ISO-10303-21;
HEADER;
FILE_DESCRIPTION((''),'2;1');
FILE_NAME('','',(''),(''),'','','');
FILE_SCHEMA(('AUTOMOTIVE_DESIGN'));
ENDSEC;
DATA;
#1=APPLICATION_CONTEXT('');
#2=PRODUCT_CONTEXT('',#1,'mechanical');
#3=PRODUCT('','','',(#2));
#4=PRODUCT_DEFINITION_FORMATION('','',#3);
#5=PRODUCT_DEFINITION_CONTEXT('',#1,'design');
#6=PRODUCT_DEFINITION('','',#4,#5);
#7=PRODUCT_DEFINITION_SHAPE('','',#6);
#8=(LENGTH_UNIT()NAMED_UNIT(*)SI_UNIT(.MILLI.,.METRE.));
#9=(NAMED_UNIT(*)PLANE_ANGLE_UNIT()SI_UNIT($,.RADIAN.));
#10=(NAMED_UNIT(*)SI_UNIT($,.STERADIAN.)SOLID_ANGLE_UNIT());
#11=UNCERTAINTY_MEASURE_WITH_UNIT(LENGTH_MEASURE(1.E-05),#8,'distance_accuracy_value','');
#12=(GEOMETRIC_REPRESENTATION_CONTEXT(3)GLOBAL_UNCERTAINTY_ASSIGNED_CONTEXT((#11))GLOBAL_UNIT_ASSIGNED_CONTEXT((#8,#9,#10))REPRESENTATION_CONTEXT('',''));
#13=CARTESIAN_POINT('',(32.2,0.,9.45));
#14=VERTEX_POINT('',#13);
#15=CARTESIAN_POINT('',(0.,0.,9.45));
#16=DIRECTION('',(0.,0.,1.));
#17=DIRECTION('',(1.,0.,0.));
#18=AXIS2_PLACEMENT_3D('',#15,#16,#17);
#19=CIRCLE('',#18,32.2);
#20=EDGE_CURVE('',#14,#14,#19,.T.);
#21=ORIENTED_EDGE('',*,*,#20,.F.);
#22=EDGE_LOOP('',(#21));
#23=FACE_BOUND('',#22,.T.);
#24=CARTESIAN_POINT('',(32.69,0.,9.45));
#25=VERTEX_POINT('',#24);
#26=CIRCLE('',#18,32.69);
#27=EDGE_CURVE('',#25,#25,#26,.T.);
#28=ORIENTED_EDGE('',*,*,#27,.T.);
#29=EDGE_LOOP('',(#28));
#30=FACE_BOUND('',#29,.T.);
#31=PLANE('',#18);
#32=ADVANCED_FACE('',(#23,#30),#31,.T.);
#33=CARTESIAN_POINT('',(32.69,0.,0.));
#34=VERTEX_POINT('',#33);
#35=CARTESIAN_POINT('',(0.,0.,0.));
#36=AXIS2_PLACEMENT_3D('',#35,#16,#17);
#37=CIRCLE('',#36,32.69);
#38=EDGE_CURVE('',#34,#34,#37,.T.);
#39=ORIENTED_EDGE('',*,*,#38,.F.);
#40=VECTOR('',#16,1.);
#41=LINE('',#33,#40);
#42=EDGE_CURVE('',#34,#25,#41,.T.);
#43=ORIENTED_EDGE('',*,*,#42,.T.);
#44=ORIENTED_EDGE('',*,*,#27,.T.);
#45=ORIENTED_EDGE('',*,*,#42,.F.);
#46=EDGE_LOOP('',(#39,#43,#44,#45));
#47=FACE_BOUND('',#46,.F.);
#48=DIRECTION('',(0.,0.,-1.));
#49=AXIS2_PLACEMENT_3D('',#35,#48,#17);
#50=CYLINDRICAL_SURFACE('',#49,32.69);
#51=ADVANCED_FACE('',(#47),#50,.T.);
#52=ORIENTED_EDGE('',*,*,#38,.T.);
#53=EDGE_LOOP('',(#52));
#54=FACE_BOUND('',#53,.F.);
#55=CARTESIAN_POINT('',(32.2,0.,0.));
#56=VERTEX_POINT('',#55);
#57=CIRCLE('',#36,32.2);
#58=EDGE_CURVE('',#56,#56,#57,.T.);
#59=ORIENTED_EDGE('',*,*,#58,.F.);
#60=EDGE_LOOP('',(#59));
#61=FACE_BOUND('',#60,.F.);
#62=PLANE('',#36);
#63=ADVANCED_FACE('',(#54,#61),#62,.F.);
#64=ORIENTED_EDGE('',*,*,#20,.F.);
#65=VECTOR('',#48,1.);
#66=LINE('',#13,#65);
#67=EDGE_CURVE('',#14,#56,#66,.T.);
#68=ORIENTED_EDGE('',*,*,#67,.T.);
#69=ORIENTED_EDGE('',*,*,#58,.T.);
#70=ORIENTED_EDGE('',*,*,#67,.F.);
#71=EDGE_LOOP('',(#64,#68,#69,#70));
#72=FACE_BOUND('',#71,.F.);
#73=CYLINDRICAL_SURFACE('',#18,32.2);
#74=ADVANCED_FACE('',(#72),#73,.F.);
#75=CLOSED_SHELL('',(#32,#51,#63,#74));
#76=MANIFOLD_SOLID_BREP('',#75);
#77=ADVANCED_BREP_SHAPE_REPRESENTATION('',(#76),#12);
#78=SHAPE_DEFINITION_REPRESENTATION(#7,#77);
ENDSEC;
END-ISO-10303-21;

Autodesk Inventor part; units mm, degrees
ref_plane "YZ Plane" through (0, 0, 0) normal (1, 0, 0) x (0, 1, 0)
ref_plane "XZ Plane" through (0, 0, 0) normal (0, 1, 0) x (-1, 0, 0)
ref_plane "XY Plane" through (0, 0, 0) normal (0, 0, 1) x (1, 0, 0)
sketch "Sketch1" plane through (0, 0, 0) normal (0, 0, 1) x (1, 0, 0)
  circle A0 centre (0, 0) radius 32.69
  dimension "d0" = 65.38
extrude "Extrusion1" add sketch "Sketch1" along normal blind 9.45
sketch "Sketch2" plane through (0, 0, 9.45) normal (0, 0, 1) x (1, 0, 0)
  circle A0 centre (0, 0) radius 32.2
  dimension "d3" = 64.4
extrude "Extrusion2" cut sketch "Sketch2" against normal through all
properties part number "BNG_REV_00_2"
